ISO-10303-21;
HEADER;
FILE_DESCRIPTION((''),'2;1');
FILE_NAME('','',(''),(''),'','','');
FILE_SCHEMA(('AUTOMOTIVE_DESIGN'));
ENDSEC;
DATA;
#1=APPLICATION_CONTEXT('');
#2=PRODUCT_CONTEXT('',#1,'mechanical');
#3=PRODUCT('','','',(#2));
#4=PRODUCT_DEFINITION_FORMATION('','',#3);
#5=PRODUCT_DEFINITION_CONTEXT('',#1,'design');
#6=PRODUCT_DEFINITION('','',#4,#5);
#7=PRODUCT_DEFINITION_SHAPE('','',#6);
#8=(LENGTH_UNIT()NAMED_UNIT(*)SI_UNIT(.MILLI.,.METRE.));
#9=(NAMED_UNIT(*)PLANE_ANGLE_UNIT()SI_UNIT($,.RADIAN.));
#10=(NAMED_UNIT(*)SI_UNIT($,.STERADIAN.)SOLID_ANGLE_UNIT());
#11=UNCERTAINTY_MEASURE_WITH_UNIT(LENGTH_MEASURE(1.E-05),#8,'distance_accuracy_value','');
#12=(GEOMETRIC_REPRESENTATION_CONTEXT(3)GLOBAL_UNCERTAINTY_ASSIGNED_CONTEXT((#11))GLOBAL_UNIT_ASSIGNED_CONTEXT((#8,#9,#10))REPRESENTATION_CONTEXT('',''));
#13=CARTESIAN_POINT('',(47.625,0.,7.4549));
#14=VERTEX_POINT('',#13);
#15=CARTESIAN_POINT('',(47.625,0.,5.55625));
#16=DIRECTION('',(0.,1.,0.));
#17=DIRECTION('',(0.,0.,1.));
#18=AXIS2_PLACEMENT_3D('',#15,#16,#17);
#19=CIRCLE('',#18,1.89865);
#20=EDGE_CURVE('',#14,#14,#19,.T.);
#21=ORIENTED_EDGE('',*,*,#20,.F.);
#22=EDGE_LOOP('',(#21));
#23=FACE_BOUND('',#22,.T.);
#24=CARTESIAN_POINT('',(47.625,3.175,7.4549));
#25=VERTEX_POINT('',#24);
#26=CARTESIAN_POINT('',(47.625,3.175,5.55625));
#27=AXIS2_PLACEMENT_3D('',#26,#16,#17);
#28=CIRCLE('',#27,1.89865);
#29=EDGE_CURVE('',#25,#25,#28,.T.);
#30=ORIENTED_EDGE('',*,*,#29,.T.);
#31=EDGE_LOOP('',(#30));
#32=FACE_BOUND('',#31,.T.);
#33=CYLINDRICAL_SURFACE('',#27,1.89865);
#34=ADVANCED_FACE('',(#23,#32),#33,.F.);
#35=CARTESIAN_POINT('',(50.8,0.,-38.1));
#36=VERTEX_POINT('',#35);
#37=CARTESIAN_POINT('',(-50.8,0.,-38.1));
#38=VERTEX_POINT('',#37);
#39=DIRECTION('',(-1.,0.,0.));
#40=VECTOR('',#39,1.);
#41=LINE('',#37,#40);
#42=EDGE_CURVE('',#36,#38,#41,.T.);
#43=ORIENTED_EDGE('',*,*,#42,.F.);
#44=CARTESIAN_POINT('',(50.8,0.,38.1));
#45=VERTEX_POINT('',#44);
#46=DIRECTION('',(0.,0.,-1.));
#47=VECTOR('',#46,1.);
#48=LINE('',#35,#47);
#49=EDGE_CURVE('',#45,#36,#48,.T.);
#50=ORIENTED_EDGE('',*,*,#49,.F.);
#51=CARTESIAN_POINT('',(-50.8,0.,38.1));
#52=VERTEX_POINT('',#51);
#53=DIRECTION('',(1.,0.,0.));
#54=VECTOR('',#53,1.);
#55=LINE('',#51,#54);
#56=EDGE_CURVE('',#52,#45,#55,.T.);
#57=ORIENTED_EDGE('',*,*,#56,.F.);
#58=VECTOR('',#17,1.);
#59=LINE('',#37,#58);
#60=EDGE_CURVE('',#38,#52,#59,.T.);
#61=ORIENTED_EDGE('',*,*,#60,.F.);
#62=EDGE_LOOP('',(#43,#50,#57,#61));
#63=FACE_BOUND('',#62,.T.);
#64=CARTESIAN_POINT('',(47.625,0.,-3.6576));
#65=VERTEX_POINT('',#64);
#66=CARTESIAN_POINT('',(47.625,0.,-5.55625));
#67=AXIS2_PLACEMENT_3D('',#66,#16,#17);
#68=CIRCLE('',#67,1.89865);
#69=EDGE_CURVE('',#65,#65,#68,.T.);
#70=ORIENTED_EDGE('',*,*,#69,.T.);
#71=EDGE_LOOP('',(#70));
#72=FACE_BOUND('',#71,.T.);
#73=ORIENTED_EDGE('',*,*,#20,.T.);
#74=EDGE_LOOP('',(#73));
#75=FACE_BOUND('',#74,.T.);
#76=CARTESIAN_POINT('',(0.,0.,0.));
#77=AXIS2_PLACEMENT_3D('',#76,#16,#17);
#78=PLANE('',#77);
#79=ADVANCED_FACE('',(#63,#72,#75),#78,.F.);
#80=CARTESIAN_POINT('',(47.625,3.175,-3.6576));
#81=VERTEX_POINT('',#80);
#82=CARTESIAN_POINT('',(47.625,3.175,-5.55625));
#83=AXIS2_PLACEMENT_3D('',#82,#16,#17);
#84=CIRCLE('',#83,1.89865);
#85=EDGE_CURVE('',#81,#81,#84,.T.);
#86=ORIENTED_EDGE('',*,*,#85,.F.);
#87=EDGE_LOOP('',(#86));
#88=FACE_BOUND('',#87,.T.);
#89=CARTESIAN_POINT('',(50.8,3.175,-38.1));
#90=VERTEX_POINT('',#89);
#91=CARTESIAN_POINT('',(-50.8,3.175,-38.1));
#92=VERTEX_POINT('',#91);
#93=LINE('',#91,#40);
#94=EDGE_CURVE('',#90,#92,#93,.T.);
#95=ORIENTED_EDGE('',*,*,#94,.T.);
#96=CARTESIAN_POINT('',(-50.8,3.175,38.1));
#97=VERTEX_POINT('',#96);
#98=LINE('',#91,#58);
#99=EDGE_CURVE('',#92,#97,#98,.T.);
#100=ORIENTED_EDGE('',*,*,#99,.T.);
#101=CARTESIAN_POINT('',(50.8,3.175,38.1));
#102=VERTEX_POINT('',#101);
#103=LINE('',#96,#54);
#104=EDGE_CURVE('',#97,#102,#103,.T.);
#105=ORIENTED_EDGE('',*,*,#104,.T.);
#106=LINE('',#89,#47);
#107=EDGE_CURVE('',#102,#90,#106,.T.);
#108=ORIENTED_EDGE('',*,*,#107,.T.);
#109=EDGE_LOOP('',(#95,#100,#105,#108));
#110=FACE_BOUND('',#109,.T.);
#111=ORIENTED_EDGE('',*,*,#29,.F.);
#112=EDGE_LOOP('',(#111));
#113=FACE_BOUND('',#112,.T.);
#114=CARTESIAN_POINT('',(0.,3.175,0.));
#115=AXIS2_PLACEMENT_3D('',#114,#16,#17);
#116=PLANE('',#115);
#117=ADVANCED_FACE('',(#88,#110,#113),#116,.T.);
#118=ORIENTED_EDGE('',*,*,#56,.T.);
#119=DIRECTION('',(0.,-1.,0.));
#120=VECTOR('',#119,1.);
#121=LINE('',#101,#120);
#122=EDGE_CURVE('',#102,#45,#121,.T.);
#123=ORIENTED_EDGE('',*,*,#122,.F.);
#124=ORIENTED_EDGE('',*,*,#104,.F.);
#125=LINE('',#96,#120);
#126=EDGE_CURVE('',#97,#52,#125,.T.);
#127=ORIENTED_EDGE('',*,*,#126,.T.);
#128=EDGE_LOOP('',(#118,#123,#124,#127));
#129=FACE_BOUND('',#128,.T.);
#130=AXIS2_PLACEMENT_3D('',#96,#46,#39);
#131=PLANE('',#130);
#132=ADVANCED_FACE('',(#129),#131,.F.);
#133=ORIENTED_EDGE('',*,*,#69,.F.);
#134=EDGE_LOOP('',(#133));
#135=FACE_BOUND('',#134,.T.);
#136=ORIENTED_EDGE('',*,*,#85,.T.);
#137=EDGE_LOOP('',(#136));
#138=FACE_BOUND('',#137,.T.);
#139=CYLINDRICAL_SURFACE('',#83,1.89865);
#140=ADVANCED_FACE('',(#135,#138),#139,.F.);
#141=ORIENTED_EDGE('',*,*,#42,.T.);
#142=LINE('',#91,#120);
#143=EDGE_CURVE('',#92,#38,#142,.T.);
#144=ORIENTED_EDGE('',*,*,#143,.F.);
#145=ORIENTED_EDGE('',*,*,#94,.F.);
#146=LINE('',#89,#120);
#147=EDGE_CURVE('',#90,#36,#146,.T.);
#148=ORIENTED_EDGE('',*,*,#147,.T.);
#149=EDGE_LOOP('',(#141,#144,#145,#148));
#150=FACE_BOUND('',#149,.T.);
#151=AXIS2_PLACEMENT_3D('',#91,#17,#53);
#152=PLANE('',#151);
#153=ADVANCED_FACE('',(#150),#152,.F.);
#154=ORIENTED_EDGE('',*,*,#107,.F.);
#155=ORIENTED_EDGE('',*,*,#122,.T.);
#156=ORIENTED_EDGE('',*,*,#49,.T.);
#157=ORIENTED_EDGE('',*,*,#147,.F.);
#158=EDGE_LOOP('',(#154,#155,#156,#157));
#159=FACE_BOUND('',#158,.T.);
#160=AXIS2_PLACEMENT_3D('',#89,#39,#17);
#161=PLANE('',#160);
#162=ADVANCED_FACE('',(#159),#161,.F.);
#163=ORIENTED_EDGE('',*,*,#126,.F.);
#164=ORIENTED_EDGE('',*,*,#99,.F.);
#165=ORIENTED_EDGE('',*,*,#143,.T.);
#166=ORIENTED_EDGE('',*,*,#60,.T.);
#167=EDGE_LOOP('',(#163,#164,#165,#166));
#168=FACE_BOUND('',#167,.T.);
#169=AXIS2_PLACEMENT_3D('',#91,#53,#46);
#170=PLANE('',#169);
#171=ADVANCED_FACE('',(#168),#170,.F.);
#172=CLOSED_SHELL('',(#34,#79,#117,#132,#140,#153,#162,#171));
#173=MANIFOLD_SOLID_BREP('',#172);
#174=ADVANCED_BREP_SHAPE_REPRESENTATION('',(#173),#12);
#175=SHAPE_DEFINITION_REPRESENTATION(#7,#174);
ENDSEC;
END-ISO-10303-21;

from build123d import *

# Parameters (mm, degrees)
SKETCH1_W                 = 101.6
SKETCH1_H                 = 76.2
BOSS_EXTRUDE1_DEPTH       = 3.175
F_6_CLEARANCE_HOLE1_D     = 3.7973
F_6_CLEARANCE_HOLE1_DEPTH = 12.7
F_6_CLEARANCE_HOLE1_TIP   = 1.140824014


with BuildPart() as part:
    # Sketch1 → Boss-Extrude1 (new body)
    with BuildSketch(Plane(origin=(0, 0, 0), x_dir=(1, 0, 0), z_dir=(0, 1, 0))):
        Rectangle(SKETCH1_W, SKETCH1_H)
    extrude(amount=BOSS_EXTRUDE1_DEPTH)

    # #6 Clearance Hole1
    with Locations(Plane(origin=(0, 3.175, 0), x_dir=(1, 0, 0), z_dir=(0, 1, 0))):
        with Locations((47.625, 5.55625), (47.625, -5.55625)):
            Hole(F_6_CLEARANCE_HOLE1_D / 2, depth=F_6_CLEARANCE_HOLE1_DEPTH)
            with Locations((0, 0, -(F_6_CLEARANCE_HOLE1_DEPTH + F_6_CLEARANCE_HOLE1_TIP / 2))):  # 118° drill point
                Cone(0, F_6_CLEARANCE_HOLE1_D / 2, F_6_CLEARANCE_HOLE1_TIP, mode=Mode.SUBTRACT)


solid = part.part
